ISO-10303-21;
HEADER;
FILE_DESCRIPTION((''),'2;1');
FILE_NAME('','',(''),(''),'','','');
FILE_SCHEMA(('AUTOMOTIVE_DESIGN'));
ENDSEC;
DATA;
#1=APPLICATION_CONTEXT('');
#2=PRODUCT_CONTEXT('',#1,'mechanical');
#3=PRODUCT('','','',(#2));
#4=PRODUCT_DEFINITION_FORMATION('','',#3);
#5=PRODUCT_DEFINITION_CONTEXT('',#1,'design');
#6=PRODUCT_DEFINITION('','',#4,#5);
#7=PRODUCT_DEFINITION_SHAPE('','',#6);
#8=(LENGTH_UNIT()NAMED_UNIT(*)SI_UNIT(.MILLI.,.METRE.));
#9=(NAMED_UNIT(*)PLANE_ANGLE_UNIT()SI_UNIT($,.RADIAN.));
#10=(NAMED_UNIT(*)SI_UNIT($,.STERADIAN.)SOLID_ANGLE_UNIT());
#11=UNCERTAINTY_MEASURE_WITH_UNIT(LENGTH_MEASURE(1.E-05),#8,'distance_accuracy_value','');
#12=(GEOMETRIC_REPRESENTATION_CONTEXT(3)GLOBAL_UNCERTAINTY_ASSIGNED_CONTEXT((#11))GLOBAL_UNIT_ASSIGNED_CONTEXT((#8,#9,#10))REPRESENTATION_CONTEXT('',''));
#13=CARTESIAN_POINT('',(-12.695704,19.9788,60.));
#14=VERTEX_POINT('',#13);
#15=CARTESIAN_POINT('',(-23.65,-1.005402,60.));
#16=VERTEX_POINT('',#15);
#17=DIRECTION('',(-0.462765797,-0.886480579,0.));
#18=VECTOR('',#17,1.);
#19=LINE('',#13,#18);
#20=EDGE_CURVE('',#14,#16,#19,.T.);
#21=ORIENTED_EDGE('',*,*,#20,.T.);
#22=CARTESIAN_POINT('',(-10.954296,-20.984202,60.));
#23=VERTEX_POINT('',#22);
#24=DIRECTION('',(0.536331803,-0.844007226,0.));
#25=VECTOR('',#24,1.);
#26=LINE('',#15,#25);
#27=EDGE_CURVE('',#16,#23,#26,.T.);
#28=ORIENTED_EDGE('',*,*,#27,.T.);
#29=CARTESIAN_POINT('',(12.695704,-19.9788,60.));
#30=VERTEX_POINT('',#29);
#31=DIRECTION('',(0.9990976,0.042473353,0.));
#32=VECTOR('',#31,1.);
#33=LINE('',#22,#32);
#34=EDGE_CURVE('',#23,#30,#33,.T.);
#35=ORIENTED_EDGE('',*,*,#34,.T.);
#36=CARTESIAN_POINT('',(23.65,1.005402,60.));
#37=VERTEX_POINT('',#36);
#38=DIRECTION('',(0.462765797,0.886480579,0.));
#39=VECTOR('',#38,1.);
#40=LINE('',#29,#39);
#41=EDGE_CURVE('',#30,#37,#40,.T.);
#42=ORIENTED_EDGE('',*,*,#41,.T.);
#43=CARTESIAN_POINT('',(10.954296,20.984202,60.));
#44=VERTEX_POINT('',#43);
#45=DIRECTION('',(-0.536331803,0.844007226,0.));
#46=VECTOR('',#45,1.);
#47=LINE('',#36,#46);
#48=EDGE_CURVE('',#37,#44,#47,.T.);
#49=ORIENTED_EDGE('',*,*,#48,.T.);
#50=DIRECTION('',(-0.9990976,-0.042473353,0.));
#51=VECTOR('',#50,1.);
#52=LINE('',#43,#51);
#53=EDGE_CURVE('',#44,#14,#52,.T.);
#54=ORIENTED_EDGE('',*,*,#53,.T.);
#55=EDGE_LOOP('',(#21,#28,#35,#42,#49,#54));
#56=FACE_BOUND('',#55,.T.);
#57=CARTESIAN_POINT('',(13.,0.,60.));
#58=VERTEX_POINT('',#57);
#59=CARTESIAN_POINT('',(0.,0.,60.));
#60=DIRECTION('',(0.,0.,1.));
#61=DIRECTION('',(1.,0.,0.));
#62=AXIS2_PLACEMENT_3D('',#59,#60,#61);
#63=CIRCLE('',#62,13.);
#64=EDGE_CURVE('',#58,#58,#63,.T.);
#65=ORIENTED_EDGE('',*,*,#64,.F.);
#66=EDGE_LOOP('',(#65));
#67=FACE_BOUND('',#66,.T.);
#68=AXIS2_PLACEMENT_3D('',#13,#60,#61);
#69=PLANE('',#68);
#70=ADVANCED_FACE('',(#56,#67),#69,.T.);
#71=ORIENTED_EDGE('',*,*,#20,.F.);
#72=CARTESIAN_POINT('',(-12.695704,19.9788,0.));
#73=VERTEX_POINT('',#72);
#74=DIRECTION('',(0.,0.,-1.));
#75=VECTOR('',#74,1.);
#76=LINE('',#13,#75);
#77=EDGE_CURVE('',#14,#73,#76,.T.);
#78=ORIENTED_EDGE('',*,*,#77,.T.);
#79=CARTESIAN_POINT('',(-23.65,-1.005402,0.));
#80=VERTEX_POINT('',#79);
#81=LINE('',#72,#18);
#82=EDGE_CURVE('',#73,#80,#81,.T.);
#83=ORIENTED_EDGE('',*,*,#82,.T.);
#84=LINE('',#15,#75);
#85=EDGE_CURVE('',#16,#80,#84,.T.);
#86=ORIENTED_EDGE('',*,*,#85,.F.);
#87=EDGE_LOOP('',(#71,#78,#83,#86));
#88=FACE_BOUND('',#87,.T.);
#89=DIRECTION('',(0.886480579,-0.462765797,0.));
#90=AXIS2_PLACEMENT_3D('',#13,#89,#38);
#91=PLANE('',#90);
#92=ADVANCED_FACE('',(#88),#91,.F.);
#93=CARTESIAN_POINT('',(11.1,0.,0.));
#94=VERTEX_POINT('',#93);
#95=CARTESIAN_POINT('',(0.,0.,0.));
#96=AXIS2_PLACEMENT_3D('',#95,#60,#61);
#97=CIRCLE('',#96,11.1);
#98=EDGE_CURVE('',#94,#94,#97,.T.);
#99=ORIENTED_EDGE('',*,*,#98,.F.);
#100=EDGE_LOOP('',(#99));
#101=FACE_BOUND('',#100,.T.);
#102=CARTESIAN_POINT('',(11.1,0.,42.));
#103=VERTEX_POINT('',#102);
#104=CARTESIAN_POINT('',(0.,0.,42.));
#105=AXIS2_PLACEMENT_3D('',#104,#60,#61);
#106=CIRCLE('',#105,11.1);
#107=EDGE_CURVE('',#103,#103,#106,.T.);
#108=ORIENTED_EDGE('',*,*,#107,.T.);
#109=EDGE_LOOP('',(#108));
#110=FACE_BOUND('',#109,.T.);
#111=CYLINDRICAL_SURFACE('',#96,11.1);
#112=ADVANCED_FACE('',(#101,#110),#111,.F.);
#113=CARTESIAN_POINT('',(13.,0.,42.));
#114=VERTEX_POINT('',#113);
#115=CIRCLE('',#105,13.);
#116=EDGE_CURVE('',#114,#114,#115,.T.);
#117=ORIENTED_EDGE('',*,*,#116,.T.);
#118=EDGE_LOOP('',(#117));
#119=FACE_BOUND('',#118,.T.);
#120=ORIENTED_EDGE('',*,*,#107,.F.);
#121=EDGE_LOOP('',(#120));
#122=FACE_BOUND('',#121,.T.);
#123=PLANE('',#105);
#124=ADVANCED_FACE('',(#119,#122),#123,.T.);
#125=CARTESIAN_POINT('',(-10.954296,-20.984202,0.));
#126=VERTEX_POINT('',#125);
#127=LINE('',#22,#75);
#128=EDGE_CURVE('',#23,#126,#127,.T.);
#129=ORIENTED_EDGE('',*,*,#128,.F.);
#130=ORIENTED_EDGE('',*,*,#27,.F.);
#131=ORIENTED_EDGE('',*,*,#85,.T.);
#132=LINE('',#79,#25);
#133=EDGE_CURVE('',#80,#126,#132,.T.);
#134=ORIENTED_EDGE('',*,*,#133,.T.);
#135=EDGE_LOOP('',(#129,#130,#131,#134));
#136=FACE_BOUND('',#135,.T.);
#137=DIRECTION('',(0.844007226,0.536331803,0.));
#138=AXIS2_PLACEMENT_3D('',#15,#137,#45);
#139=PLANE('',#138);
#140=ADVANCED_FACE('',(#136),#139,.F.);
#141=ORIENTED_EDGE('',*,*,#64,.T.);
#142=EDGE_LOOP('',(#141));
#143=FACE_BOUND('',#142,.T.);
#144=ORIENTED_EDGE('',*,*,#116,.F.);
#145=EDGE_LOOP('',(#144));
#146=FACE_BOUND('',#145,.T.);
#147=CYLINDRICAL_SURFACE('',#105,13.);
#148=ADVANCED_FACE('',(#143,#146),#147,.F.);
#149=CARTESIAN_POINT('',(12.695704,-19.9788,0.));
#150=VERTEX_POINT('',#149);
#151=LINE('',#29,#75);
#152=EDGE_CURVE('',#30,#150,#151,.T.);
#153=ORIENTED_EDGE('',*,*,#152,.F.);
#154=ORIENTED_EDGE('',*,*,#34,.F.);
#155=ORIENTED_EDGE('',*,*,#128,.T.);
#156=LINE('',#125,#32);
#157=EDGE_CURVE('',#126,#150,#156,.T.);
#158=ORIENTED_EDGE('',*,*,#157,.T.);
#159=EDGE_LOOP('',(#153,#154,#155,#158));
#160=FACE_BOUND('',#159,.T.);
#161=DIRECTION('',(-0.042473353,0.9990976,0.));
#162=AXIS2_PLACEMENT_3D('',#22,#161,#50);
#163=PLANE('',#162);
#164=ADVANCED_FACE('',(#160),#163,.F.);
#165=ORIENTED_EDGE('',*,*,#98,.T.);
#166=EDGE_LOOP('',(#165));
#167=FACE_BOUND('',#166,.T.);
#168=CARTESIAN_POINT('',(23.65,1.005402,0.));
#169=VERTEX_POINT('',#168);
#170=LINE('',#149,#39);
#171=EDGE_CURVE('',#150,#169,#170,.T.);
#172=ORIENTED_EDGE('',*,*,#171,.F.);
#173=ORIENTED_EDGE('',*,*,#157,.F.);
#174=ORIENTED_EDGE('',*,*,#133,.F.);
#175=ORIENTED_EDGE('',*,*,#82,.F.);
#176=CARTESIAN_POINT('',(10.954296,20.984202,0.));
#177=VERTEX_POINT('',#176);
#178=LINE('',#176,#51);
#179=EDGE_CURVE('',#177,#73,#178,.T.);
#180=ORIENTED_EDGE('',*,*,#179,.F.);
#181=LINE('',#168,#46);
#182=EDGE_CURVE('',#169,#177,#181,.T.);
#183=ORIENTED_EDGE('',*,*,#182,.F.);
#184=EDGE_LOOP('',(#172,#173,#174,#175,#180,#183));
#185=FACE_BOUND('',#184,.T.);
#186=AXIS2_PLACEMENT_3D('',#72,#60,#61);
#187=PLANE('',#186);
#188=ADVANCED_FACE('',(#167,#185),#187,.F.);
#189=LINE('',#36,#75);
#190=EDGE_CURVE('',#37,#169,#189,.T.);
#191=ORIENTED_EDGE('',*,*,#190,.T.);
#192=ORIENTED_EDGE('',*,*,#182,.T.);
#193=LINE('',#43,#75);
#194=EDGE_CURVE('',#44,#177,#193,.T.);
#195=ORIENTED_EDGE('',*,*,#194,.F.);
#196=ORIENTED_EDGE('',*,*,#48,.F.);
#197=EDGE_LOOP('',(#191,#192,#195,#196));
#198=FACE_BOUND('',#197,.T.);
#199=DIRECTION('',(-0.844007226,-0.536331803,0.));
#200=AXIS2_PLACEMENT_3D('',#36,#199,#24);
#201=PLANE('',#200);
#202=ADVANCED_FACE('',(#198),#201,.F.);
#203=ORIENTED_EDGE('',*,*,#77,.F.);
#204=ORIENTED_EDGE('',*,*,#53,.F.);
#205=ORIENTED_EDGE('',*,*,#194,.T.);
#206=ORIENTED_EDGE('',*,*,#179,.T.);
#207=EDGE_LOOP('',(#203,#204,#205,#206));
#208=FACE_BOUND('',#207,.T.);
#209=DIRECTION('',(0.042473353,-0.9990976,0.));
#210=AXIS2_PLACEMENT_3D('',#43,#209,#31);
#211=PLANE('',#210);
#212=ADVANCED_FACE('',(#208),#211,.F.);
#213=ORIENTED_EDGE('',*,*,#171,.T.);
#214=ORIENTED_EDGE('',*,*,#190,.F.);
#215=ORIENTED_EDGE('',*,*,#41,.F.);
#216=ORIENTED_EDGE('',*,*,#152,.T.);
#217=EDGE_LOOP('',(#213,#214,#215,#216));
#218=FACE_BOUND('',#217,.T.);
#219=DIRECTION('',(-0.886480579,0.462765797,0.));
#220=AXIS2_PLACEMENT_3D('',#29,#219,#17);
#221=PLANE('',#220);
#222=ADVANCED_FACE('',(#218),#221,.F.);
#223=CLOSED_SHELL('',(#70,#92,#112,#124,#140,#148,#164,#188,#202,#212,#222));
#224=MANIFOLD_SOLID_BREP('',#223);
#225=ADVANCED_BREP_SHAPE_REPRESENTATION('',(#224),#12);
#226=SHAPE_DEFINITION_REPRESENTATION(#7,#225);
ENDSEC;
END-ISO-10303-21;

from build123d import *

# Parameters (mm, degrees)
EXTRUDE_1_DEPTH     = 60
SKETCH_2_R          = 13
CUT_EXTRUDE_1_DEPTH = 18
SKETCH_3_R          = 11.1
CUT_EXTRUDE_2_DEPTH = 53.570516706


with BuildPart() as part:
    # 草图1 → 凸台-拉伸1 (new body)
    with BuildSketch(Plane.XY):
        Polygon((-12.695703738, 19.978799762), (-23.65, -1.005402075), (-10.954296262, -20.984201837), (12.695703738, -19.978799762), (23.65, 1.005402075), (10.954296262, 20.984201837), align=None)
    extrude(amount=EXTRUDE_1_DEPTH)

    # 草图2 → 切除-拉伸1 (cut)
    with BuildSketch(Plane.XY.offset(60)):
        Circle(SKETCH_2_R)
    extrude(amount=-CUT_EXTRUDE_1_DEPTH, mode=Mode.SUBTRACT)

    # 草图3 → 切除-拉伸2 (cut, through all)
    with BuildSketch(Plane.XY.offset(42)):
        Circle(SKETCH_3_R)
    extrude(amount=-CUT_EXTRUDE_2_DEPTH, mode=Mode.SUBTRACT)


solid = part.part
